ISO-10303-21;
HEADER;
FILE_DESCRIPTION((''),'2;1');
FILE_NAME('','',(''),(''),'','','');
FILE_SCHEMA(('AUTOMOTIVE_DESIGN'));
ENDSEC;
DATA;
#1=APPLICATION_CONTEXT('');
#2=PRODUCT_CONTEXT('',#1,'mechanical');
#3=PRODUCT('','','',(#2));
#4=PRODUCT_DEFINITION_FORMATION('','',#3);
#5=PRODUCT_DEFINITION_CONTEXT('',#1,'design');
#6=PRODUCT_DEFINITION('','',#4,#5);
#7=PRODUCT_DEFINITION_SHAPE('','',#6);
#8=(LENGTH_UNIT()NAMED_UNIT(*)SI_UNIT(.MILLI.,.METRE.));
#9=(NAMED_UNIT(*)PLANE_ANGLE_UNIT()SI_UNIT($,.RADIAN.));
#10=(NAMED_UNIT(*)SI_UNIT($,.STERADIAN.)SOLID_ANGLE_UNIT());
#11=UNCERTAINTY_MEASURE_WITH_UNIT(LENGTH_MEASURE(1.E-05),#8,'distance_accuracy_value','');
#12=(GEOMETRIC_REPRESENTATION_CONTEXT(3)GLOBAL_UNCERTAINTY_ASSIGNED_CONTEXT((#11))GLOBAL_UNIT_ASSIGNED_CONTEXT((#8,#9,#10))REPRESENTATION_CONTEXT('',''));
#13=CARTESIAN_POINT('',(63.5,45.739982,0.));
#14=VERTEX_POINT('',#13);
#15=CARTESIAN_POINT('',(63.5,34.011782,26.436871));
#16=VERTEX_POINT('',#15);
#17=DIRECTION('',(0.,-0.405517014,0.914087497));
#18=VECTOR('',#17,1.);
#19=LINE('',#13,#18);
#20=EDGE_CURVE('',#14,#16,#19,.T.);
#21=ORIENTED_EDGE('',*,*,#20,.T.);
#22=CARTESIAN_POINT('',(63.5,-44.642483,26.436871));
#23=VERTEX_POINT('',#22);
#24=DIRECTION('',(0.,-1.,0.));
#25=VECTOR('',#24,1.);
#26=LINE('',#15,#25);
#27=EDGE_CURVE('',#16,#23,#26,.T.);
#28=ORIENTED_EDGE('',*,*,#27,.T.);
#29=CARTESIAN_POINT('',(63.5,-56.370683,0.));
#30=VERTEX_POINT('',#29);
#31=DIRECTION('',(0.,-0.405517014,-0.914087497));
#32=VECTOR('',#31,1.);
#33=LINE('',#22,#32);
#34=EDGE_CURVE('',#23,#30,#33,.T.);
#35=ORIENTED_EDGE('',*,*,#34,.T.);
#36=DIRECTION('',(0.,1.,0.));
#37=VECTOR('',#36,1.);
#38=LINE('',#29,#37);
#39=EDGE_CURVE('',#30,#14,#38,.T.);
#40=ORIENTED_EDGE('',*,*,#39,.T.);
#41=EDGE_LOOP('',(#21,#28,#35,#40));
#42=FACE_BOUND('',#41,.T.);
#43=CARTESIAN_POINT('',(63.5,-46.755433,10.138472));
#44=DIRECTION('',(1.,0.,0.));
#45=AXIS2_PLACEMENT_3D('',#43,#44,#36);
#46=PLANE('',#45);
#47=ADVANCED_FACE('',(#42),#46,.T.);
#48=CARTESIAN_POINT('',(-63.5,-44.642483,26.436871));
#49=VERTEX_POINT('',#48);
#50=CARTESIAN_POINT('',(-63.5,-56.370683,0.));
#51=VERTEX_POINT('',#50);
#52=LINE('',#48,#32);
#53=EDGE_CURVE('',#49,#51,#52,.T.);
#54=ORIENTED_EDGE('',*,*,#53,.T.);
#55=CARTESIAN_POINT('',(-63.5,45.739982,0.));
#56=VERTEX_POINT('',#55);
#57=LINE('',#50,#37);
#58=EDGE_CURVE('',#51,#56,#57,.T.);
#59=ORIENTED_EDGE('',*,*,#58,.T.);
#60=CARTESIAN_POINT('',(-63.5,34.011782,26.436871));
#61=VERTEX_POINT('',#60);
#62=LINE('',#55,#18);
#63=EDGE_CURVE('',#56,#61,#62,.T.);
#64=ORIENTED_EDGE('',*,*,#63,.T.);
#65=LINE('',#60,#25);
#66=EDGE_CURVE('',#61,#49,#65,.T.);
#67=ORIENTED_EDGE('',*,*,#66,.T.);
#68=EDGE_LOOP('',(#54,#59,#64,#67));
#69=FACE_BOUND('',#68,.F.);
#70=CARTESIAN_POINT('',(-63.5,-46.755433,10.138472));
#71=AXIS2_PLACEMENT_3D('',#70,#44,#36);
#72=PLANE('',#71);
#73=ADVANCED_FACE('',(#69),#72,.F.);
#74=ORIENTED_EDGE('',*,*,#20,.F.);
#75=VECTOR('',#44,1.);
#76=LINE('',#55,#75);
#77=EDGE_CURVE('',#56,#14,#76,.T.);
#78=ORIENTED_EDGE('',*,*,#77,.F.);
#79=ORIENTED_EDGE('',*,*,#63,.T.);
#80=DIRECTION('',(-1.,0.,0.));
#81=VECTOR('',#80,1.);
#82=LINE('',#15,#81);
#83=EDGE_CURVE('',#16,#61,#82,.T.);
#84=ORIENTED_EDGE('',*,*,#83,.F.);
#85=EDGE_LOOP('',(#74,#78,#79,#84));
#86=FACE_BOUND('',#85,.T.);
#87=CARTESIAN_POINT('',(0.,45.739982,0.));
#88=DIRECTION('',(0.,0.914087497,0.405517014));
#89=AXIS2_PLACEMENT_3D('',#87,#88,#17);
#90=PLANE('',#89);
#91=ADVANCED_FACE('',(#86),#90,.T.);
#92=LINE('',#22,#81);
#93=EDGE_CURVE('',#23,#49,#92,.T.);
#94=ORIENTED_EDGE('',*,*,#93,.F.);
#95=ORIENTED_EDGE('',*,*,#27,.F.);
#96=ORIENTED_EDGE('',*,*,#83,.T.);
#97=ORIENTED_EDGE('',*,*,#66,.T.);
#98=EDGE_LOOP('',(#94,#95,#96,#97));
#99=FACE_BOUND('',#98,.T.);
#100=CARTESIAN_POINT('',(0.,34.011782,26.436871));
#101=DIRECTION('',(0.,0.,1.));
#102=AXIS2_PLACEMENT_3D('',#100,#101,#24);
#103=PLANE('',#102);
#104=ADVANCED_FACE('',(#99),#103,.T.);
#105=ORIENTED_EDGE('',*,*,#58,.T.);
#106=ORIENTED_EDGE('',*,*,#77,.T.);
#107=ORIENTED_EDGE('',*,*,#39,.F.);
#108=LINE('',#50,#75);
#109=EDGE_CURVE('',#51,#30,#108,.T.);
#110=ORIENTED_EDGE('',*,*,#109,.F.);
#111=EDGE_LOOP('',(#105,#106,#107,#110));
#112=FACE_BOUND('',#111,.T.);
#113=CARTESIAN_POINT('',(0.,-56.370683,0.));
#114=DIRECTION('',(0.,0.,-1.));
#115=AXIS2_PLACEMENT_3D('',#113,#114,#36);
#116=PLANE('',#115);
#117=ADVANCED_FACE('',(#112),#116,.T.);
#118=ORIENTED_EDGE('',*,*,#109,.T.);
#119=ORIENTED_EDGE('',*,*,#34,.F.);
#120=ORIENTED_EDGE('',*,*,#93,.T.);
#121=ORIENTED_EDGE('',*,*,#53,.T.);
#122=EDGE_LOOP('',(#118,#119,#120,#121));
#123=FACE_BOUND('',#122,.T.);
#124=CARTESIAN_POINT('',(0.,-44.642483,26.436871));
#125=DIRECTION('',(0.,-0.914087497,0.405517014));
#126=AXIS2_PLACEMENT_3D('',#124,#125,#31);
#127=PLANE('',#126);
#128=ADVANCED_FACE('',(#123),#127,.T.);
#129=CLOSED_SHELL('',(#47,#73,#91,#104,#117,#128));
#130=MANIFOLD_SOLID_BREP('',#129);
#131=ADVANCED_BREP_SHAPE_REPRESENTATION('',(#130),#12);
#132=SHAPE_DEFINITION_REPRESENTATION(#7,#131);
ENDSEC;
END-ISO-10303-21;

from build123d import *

# Parameters (mm, degrees)
F1_DEPTH = 63.5


with BuildPart() as f1:
    # F0 (on Right) → F1 (new body, symmetric)
    with BuildSketch(Plane.YZ):
        Polygon((-39.39677, 0), (-44.642483, 26.436871), (-56.370683, 0), align=None)
        Polygon((-27.66857, 26.436871), (-44.642483, 26.436871), (-39.39677, 0), align=None)
        Polygon((-22.625885, 1.023202), (-27.66857, 26.436871), (-39.39677, 0), (-23.079809, 0), align=None)
        Polygon((-11.351609, 26.436871), (-27.66857, 26.436871), (-22.625885, 1.023202), align=None)
        Polygon((-6.105896, 0), (-11.351609, 26.436871), (-22.625885, 1.023202), (-22.422858, 0), align=None)
        Polygon((5.622304, 26.436871), (-11.351609, 26.436871), (-6.105896, 0), align=None)
        Polygon((-22.422858, 0), (-22.625885, 1.023202), (-23.079809, 0), align=None)
        Polygon((34.011782, 26.436871), (5.622304, 26.436871), (-6.105896, 0), (45.739982, 0), align=None)
    extrude(amount=F1_DEPTH, both=True)


solid = f1.part
